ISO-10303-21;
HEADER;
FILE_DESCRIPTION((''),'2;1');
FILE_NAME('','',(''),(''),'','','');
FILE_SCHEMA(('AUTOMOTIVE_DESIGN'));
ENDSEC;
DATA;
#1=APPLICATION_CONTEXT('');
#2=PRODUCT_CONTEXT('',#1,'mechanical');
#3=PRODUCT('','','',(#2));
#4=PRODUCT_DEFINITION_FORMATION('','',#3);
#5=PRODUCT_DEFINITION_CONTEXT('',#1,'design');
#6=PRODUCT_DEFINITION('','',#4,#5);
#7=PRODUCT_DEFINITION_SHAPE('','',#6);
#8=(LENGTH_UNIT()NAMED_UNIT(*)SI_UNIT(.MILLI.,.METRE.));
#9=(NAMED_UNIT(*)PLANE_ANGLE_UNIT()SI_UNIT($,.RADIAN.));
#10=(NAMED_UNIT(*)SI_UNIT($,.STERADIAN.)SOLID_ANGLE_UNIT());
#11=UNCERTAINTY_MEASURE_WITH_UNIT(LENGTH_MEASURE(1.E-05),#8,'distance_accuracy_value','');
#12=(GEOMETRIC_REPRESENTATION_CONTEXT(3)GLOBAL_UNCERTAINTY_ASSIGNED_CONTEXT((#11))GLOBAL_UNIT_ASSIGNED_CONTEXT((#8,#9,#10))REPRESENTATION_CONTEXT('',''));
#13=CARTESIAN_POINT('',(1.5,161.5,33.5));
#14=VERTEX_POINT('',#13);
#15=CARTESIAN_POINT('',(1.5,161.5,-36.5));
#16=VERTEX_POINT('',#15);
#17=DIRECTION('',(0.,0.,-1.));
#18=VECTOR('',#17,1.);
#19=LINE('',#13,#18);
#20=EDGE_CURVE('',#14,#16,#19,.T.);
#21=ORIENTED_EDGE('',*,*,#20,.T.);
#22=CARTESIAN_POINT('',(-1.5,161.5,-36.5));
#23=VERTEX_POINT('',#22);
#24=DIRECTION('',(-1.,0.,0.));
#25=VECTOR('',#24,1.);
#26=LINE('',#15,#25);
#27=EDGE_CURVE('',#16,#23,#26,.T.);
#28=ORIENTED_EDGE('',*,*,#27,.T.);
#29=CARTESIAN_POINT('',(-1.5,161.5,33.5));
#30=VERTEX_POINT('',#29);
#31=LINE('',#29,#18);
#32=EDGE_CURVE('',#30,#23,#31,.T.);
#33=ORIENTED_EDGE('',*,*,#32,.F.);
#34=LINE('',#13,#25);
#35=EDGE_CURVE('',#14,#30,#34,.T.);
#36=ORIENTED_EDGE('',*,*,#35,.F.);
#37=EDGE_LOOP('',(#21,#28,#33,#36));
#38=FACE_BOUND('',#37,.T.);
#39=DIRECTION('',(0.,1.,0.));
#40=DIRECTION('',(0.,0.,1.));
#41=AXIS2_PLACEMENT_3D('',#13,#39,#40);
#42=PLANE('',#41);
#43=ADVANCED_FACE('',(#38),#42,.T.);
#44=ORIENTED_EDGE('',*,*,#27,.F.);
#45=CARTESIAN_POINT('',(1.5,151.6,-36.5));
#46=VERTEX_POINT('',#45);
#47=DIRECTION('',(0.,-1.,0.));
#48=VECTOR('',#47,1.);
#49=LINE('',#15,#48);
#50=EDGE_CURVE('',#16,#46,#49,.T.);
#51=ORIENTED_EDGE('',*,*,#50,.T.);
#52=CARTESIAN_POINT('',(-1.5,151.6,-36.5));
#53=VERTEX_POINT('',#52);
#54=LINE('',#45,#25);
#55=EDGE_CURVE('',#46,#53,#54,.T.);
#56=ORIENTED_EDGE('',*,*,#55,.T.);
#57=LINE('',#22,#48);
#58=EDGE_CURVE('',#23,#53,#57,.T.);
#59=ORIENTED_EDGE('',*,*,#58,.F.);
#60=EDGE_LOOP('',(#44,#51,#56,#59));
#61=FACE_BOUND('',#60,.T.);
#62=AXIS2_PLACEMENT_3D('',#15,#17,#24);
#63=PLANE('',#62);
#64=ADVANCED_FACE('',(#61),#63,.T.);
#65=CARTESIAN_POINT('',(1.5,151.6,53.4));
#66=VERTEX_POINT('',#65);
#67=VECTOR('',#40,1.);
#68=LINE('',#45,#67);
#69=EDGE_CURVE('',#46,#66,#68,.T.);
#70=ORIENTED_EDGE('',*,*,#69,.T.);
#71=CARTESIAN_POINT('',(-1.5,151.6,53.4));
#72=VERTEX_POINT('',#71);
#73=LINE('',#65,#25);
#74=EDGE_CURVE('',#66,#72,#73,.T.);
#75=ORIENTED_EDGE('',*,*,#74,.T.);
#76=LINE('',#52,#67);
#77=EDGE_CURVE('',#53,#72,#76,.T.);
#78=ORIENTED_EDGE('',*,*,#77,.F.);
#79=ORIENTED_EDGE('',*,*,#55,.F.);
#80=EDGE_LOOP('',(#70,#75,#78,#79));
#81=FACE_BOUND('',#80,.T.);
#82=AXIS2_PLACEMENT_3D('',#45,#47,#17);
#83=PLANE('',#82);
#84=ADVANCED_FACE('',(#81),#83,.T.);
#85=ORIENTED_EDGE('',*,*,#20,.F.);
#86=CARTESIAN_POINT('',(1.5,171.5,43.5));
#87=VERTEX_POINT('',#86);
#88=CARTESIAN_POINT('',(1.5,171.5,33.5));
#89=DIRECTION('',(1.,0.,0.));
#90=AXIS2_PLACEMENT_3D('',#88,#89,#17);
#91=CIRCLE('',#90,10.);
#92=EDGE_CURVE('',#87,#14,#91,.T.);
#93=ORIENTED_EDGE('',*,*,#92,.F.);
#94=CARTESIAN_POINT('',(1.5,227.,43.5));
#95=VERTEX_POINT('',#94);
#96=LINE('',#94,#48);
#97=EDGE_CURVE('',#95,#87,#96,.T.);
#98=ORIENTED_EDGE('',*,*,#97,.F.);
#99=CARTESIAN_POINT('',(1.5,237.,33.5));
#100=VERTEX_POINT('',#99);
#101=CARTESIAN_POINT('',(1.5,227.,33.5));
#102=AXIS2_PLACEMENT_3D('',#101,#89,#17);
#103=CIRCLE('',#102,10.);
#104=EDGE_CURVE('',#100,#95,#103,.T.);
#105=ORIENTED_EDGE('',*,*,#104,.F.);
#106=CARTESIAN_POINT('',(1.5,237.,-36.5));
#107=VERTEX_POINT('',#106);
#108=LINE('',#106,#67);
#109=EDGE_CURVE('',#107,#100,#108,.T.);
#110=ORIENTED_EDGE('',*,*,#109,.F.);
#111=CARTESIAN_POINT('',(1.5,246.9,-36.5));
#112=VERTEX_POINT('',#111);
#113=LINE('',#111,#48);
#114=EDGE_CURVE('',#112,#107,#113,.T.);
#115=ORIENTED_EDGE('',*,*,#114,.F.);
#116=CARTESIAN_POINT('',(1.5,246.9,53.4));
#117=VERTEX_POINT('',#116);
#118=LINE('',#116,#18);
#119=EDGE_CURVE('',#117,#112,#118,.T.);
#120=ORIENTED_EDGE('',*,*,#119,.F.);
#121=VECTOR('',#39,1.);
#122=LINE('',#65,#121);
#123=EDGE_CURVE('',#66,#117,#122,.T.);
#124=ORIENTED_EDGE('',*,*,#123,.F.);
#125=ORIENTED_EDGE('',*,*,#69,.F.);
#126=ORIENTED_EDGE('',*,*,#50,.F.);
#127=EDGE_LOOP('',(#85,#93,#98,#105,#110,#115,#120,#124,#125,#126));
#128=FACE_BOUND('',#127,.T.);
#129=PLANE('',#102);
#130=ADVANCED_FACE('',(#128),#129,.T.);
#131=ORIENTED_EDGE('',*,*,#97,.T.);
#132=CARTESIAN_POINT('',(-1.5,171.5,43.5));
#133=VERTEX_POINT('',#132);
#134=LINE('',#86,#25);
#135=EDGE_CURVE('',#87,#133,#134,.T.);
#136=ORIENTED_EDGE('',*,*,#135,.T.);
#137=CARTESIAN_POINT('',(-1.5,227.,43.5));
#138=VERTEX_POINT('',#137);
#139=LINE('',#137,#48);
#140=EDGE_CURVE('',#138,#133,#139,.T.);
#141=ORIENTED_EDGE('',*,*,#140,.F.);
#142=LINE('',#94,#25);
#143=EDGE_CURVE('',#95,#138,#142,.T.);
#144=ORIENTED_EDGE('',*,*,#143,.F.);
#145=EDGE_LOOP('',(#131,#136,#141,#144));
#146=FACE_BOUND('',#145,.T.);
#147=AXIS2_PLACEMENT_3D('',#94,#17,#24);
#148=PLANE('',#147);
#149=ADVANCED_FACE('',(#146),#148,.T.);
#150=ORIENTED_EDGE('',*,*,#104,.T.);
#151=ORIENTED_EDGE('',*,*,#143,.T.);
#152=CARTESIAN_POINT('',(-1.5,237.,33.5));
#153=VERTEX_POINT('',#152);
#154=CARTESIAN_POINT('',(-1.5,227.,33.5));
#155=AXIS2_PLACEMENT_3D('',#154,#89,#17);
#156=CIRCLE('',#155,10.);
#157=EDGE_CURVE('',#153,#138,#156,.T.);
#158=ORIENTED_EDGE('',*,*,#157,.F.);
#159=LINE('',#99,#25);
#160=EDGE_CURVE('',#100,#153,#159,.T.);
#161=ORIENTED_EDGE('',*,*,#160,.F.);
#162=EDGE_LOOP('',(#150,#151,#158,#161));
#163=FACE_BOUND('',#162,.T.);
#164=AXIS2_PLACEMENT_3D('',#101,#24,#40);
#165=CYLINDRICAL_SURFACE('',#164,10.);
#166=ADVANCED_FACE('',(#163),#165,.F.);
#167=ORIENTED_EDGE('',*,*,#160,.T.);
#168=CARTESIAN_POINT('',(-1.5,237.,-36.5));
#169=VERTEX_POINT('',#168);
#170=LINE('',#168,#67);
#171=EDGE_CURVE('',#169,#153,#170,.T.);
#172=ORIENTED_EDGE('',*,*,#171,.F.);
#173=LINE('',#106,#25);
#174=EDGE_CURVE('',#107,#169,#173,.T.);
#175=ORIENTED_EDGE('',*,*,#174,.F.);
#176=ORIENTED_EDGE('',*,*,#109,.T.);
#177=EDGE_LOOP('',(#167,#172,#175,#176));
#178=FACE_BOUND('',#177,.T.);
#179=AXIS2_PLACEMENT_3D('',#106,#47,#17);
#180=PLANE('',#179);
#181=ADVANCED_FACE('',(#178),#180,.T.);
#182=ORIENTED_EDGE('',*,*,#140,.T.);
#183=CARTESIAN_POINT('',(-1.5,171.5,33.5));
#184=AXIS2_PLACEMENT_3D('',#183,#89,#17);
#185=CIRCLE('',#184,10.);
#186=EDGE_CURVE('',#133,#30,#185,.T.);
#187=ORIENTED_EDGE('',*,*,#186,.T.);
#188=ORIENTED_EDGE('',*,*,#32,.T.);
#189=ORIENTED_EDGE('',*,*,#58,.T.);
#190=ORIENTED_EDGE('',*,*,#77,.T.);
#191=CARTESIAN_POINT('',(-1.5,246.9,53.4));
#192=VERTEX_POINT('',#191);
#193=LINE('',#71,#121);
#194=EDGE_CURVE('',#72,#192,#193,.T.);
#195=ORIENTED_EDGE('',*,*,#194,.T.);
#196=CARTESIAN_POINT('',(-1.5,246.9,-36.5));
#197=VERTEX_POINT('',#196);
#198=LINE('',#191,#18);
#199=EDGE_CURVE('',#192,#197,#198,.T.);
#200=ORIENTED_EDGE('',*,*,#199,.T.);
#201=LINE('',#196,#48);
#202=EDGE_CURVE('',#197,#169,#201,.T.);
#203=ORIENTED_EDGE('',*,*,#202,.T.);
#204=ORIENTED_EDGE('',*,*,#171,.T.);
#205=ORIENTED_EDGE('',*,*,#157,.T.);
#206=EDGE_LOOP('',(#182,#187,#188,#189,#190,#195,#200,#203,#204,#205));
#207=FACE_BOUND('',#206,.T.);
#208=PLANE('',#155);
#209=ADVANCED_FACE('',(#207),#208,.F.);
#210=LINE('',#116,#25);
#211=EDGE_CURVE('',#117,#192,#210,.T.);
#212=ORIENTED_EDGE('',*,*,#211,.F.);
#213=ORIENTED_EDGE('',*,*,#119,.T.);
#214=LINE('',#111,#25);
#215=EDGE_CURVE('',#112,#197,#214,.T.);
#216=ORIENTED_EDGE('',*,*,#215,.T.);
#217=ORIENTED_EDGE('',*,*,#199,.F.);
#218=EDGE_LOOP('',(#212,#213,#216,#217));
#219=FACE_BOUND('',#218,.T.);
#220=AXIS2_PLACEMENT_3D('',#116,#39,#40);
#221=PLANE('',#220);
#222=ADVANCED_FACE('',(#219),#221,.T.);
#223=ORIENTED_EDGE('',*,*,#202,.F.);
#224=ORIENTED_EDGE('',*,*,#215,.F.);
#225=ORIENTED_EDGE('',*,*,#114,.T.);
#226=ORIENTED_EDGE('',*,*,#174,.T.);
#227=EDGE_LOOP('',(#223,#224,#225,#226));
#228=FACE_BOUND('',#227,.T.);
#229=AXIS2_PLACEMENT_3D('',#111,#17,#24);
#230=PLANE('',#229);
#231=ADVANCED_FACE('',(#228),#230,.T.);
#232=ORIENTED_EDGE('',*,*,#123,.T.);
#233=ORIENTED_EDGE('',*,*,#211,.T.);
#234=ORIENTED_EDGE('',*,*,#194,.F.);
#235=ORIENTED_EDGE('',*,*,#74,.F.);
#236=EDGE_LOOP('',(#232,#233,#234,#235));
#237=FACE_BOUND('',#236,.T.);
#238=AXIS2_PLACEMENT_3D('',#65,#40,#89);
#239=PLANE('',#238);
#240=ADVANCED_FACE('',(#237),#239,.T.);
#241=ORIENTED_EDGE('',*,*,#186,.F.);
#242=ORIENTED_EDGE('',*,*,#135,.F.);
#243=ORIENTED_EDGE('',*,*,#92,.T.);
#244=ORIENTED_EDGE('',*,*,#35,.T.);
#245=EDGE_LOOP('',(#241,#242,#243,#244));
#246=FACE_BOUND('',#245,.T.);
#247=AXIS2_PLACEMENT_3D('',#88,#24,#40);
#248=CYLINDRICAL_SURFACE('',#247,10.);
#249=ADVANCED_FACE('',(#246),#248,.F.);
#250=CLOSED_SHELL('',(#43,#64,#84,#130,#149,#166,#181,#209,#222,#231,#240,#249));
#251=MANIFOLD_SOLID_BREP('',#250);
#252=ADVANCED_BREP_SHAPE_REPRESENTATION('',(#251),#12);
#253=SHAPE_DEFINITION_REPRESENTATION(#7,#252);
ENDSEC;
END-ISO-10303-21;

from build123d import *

# Parameters (mm, degrees)
EXTRUDE_1_DEPTH = 3


with BuildPart() as part:
    # Эскиз1 → Бобышка-Вытянуть1 (new body)
    with BuildSketch(Plane(origin=(-1.5, 0, 0), x_dir=(0, -1, 0), z_dir=(-1, 0, 0))):
        with BuildLine():
            Line((-237, -36.5), (-237, 33.5))
            ThreePointArc((-237, 33.5), (-234.071067812, 40.571067812), (-227, 43.5))
            Line((-227, 43.5), (-171.5, 43.5))
            ThreePointArc((-171.5, 43.5), (-164.428932188, 40.571067812), (-161.5, 33.5))
            Line((-161.5, 33.5), (-161.5, -36.5))
            Line((-161.5, -36.5), (-151.6, -36.5))
            Line((-151.6, -36.5), (-151.6, 53.4))
            Line((-151.6, 53.4), (-246.9, 53.4))
            Line((-246.9, 53.4), (-246.9, -36.5))
            Line((-246.9, -36.5), (-237, -36.5))
        make_face()
    extrude(amount=-EXTRUDE_1_DEPTH)


solid = part.part
